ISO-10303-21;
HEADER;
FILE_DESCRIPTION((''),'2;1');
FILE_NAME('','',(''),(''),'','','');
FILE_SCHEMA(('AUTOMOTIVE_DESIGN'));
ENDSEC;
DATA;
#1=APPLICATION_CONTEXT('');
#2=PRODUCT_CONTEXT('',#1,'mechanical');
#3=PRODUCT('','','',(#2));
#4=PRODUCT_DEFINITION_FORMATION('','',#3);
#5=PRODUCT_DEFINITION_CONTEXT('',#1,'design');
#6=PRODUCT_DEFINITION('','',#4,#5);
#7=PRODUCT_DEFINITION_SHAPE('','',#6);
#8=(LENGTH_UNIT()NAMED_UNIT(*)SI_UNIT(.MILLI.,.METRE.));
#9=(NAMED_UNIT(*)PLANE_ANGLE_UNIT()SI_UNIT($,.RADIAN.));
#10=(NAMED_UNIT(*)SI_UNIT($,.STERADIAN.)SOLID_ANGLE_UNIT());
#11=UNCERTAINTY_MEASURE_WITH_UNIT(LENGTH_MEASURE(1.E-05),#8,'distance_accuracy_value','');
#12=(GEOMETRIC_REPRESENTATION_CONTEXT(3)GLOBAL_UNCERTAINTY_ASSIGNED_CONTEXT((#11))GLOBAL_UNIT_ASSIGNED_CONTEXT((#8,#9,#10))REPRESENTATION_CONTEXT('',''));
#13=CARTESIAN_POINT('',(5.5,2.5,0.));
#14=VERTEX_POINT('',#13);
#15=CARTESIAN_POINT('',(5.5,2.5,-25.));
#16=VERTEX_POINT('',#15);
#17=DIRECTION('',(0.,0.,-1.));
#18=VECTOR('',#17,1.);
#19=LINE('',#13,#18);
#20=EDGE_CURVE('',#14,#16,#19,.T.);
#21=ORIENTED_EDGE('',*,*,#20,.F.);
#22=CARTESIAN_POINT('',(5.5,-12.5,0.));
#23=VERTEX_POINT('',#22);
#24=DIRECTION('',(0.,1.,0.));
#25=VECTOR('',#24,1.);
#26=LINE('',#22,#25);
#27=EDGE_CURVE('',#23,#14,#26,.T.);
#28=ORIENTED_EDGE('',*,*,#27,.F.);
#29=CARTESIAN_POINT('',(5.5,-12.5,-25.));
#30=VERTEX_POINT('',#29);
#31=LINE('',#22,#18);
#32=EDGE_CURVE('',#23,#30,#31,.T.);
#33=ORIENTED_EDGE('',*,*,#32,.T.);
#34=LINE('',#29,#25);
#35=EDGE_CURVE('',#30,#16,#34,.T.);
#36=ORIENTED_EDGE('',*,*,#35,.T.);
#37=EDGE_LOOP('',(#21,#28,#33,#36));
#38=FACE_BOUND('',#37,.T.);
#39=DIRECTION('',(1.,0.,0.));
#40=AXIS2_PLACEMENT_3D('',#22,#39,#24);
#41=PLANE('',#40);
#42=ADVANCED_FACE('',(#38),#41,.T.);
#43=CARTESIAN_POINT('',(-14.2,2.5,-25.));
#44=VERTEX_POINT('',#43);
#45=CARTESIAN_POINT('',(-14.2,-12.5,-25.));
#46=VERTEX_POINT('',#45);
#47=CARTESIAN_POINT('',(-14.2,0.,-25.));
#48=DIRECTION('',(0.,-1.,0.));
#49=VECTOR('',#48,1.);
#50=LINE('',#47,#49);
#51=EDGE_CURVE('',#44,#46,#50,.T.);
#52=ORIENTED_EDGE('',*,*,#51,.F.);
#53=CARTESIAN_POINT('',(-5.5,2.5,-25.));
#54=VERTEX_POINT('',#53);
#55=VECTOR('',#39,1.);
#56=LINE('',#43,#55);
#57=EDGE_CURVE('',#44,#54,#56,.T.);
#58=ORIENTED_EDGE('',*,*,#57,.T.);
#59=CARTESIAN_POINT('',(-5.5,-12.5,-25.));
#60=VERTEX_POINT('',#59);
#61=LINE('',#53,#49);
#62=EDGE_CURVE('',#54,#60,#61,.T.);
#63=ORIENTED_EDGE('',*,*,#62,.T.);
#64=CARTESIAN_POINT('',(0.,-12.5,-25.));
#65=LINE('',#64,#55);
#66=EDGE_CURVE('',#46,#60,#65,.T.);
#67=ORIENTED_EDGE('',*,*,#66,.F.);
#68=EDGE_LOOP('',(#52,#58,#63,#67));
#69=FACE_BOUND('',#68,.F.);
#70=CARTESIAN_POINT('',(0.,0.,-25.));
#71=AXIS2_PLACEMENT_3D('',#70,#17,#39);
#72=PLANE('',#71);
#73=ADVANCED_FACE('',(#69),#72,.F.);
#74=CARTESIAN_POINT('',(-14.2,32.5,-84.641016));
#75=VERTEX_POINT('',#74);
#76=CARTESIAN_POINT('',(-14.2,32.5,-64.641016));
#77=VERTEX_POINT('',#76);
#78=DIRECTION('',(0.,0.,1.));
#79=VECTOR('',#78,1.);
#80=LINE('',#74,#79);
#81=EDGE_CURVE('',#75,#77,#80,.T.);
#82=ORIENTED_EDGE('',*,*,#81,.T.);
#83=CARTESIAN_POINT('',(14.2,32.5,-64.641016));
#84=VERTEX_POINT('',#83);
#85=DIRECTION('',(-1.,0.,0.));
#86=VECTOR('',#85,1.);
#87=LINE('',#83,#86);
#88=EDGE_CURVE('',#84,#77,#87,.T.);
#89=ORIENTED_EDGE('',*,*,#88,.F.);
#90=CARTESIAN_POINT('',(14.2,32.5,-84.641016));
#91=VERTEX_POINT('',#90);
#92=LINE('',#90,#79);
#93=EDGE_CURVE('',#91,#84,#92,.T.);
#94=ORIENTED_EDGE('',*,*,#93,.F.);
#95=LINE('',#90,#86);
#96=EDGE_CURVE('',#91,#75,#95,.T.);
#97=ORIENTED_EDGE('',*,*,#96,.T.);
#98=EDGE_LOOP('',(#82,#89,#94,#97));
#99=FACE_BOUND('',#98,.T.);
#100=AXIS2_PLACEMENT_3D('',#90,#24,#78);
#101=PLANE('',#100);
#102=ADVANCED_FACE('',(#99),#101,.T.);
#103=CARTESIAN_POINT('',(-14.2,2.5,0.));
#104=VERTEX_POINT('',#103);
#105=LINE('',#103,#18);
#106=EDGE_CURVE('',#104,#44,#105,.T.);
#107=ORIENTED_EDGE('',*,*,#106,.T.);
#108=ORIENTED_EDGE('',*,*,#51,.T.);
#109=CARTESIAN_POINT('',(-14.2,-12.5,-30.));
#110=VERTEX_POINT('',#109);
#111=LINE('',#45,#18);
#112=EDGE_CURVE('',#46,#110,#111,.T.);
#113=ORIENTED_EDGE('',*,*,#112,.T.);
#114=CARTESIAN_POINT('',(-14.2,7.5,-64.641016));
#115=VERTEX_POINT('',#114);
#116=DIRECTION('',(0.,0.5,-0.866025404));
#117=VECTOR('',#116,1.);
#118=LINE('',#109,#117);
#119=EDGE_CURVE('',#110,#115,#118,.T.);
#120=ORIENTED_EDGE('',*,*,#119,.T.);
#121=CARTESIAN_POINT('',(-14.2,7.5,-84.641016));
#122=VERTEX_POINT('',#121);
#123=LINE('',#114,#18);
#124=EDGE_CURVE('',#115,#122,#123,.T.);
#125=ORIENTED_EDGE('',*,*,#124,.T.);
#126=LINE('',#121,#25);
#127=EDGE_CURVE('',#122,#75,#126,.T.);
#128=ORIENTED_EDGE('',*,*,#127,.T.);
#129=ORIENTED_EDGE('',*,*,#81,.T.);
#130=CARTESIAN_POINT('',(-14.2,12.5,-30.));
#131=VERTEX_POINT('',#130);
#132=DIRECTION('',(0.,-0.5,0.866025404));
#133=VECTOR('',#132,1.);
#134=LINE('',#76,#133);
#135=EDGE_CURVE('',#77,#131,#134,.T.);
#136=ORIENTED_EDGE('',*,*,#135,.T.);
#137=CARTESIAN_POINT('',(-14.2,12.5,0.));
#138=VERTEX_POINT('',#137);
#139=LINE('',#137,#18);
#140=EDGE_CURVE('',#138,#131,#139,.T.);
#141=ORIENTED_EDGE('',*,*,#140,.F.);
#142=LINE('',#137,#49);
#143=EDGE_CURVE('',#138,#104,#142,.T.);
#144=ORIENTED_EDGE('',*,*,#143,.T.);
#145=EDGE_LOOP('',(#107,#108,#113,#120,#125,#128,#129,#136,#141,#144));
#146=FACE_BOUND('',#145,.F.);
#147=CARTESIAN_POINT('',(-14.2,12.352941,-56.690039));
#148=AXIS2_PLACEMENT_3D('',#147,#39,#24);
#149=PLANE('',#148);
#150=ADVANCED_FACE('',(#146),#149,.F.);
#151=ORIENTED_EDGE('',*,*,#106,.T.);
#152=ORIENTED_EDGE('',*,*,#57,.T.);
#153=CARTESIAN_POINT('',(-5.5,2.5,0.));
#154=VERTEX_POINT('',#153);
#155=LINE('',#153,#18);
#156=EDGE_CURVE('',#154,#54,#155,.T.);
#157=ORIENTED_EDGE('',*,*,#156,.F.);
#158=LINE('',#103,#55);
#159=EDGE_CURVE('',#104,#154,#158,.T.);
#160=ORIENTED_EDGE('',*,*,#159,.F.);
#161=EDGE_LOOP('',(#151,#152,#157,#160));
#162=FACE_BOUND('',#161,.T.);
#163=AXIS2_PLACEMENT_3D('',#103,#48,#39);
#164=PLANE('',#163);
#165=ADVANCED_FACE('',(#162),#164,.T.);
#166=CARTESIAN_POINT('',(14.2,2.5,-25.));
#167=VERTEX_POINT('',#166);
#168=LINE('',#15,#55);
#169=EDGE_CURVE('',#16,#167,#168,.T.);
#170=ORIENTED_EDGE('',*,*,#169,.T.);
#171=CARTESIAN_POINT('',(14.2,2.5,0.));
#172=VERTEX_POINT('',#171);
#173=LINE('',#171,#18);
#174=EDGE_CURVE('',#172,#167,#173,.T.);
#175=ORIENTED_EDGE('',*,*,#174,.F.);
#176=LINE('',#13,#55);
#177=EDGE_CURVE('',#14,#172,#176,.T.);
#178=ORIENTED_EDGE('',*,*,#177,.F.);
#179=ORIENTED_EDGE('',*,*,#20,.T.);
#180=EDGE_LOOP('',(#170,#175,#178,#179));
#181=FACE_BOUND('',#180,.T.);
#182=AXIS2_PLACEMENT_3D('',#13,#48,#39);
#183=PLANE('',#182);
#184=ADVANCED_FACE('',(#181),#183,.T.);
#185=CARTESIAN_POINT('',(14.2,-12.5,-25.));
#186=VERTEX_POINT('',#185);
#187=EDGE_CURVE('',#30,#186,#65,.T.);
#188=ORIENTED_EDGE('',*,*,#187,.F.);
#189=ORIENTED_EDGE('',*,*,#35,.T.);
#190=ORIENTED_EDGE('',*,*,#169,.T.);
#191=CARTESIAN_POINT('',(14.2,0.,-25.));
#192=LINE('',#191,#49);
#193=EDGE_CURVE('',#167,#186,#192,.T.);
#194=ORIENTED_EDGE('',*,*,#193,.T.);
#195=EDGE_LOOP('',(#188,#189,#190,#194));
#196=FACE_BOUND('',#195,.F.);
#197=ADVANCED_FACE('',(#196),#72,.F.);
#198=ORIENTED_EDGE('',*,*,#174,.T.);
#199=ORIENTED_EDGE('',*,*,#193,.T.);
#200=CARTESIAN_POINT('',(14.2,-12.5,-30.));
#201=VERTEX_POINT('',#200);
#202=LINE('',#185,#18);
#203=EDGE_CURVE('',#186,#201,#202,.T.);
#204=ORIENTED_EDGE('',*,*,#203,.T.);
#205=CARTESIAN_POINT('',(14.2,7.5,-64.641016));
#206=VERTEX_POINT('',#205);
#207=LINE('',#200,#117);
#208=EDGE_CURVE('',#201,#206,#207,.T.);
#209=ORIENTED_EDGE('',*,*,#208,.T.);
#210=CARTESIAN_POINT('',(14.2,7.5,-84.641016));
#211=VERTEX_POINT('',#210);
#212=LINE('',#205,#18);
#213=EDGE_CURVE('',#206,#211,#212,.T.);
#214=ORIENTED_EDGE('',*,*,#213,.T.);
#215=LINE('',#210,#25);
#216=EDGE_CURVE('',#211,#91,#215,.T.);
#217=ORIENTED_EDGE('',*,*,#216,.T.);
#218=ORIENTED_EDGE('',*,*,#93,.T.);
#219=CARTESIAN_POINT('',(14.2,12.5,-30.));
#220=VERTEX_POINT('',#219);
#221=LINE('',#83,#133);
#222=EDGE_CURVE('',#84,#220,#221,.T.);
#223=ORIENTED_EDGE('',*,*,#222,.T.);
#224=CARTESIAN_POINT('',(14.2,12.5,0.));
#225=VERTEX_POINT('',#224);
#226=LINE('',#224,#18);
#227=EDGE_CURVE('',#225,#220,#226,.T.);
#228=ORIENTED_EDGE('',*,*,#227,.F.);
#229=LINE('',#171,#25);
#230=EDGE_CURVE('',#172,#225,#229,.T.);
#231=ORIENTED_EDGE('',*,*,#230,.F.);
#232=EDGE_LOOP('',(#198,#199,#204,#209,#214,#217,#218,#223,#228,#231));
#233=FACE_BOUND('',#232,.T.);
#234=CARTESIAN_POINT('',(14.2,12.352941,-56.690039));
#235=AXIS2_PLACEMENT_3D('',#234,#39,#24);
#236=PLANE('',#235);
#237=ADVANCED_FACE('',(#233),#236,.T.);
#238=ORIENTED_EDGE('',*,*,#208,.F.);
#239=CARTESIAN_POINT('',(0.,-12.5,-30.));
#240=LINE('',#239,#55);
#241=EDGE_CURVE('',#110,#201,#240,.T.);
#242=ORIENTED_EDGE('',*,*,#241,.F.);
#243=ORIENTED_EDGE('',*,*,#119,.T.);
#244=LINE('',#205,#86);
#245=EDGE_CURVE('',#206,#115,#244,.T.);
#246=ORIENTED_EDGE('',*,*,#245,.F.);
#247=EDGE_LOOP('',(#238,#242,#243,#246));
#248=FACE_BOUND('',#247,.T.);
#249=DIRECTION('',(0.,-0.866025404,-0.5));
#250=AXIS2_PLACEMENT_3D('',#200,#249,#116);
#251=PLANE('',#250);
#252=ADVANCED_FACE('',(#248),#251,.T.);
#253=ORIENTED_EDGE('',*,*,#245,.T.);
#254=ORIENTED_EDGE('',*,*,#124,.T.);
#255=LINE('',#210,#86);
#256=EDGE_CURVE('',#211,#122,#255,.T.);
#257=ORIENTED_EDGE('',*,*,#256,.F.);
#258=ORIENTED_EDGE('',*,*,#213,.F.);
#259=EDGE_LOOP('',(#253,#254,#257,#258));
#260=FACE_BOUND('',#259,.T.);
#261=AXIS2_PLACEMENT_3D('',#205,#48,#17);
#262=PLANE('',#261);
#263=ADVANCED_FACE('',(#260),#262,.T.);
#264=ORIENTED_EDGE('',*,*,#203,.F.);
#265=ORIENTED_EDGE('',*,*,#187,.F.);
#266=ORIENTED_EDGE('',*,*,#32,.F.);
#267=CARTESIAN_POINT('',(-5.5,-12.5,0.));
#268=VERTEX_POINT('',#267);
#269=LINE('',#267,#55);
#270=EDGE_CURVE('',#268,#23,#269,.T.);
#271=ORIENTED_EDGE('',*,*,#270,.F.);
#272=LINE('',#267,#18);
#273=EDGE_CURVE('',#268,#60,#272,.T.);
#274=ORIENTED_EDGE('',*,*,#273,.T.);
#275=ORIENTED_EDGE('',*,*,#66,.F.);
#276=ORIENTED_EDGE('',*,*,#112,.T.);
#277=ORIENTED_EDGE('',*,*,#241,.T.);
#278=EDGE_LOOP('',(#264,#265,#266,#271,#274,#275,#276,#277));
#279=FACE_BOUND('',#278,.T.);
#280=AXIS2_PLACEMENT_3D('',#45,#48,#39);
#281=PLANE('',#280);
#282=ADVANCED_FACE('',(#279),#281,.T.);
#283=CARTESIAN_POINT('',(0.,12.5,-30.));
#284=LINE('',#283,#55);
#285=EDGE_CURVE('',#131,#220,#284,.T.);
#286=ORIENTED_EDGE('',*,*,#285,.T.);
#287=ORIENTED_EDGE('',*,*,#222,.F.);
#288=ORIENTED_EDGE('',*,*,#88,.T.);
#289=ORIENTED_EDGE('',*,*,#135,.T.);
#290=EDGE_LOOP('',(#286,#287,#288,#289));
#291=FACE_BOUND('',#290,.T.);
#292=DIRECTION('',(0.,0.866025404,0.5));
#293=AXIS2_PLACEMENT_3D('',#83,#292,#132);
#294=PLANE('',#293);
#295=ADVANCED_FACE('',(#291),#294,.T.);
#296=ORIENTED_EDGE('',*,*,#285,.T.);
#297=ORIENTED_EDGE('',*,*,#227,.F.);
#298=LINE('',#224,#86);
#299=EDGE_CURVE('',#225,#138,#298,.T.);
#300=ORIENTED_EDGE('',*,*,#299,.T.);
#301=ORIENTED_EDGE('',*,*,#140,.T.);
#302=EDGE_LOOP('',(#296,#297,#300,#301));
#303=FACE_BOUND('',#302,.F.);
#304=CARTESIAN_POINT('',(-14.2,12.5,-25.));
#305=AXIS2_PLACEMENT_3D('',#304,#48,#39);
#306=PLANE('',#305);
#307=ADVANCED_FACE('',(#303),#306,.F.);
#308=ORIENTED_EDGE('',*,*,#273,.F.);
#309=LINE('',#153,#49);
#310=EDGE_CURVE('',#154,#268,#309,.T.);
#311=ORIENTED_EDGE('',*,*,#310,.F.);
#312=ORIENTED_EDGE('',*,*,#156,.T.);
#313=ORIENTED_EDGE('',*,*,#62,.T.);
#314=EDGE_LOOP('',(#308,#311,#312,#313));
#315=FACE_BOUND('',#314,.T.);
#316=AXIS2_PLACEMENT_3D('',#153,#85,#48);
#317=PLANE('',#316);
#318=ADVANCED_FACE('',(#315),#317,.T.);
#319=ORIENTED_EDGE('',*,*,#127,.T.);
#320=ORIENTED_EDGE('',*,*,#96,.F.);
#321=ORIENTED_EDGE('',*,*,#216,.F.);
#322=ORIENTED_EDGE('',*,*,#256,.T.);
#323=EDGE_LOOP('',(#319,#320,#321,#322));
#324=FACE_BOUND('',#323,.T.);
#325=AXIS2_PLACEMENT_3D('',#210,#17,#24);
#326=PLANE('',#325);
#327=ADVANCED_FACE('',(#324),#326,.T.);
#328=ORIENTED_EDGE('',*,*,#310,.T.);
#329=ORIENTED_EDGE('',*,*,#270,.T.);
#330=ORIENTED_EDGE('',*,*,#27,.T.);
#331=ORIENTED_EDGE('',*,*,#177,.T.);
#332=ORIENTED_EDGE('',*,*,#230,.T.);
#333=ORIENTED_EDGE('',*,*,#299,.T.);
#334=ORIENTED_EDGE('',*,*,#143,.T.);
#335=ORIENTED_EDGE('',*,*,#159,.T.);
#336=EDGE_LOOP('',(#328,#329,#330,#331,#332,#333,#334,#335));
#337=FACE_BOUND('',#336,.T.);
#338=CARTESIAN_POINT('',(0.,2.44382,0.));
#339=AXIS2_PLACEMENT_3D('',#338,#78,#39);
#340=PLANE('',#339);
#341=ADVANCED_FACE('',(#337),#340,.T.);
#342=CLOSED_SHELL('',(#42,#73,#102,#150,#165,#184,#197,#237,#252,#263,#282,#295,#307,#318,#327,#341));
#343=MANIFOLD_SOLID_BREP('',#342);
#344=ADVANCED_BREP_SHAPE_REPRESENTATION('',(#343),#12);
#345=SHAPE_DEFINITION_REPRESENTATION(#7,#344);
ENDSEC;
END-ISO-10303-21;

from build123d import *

# Parameters (mm, degrees)
F1_DEPTH = 25
F2_W     = 28.4
F2_H     = 25
F3_DEPTH = 5
F5_DEPTH = 28.4


with BuildPart() as f1:
    # F0 (on Top) → F1 (new body)
    with BuildSketch(Plane.XY):
        Polygon((-5.5, 2.5), (-5.5, -12.5), (5.5, -12.5), (5.5, 2.5), (14.2, 2.5), (14.2, 12.5), (-14.2, 12.5), (-14.2, 2.5), align=None)
    extrude(amount=-F1_DEPTH)

    # F2 (on face) → F3 (join)
    with BuildSketch(Plane(origin=(0, 0, -25), x_dir=(1, 0, 0), z_dir=(0, 0, -1))):
        Rectangle(F2_W, F2_H)
    extrude(amount=F3_DEPTH)

    # F4 (on face) → F5 (join)
    with BuildSketch(Plane.YZ.offset(14.2)):
        Polygon((32.5, -64.6410161514), (12.5, -30), (-12.5, -30), (7.5, -64.6410161514), (7.5, -84.6410161514), (32.5, -84.6410161514), align=None)
    extrude(amount=-F5_DEPTH)


solid = f1.part
